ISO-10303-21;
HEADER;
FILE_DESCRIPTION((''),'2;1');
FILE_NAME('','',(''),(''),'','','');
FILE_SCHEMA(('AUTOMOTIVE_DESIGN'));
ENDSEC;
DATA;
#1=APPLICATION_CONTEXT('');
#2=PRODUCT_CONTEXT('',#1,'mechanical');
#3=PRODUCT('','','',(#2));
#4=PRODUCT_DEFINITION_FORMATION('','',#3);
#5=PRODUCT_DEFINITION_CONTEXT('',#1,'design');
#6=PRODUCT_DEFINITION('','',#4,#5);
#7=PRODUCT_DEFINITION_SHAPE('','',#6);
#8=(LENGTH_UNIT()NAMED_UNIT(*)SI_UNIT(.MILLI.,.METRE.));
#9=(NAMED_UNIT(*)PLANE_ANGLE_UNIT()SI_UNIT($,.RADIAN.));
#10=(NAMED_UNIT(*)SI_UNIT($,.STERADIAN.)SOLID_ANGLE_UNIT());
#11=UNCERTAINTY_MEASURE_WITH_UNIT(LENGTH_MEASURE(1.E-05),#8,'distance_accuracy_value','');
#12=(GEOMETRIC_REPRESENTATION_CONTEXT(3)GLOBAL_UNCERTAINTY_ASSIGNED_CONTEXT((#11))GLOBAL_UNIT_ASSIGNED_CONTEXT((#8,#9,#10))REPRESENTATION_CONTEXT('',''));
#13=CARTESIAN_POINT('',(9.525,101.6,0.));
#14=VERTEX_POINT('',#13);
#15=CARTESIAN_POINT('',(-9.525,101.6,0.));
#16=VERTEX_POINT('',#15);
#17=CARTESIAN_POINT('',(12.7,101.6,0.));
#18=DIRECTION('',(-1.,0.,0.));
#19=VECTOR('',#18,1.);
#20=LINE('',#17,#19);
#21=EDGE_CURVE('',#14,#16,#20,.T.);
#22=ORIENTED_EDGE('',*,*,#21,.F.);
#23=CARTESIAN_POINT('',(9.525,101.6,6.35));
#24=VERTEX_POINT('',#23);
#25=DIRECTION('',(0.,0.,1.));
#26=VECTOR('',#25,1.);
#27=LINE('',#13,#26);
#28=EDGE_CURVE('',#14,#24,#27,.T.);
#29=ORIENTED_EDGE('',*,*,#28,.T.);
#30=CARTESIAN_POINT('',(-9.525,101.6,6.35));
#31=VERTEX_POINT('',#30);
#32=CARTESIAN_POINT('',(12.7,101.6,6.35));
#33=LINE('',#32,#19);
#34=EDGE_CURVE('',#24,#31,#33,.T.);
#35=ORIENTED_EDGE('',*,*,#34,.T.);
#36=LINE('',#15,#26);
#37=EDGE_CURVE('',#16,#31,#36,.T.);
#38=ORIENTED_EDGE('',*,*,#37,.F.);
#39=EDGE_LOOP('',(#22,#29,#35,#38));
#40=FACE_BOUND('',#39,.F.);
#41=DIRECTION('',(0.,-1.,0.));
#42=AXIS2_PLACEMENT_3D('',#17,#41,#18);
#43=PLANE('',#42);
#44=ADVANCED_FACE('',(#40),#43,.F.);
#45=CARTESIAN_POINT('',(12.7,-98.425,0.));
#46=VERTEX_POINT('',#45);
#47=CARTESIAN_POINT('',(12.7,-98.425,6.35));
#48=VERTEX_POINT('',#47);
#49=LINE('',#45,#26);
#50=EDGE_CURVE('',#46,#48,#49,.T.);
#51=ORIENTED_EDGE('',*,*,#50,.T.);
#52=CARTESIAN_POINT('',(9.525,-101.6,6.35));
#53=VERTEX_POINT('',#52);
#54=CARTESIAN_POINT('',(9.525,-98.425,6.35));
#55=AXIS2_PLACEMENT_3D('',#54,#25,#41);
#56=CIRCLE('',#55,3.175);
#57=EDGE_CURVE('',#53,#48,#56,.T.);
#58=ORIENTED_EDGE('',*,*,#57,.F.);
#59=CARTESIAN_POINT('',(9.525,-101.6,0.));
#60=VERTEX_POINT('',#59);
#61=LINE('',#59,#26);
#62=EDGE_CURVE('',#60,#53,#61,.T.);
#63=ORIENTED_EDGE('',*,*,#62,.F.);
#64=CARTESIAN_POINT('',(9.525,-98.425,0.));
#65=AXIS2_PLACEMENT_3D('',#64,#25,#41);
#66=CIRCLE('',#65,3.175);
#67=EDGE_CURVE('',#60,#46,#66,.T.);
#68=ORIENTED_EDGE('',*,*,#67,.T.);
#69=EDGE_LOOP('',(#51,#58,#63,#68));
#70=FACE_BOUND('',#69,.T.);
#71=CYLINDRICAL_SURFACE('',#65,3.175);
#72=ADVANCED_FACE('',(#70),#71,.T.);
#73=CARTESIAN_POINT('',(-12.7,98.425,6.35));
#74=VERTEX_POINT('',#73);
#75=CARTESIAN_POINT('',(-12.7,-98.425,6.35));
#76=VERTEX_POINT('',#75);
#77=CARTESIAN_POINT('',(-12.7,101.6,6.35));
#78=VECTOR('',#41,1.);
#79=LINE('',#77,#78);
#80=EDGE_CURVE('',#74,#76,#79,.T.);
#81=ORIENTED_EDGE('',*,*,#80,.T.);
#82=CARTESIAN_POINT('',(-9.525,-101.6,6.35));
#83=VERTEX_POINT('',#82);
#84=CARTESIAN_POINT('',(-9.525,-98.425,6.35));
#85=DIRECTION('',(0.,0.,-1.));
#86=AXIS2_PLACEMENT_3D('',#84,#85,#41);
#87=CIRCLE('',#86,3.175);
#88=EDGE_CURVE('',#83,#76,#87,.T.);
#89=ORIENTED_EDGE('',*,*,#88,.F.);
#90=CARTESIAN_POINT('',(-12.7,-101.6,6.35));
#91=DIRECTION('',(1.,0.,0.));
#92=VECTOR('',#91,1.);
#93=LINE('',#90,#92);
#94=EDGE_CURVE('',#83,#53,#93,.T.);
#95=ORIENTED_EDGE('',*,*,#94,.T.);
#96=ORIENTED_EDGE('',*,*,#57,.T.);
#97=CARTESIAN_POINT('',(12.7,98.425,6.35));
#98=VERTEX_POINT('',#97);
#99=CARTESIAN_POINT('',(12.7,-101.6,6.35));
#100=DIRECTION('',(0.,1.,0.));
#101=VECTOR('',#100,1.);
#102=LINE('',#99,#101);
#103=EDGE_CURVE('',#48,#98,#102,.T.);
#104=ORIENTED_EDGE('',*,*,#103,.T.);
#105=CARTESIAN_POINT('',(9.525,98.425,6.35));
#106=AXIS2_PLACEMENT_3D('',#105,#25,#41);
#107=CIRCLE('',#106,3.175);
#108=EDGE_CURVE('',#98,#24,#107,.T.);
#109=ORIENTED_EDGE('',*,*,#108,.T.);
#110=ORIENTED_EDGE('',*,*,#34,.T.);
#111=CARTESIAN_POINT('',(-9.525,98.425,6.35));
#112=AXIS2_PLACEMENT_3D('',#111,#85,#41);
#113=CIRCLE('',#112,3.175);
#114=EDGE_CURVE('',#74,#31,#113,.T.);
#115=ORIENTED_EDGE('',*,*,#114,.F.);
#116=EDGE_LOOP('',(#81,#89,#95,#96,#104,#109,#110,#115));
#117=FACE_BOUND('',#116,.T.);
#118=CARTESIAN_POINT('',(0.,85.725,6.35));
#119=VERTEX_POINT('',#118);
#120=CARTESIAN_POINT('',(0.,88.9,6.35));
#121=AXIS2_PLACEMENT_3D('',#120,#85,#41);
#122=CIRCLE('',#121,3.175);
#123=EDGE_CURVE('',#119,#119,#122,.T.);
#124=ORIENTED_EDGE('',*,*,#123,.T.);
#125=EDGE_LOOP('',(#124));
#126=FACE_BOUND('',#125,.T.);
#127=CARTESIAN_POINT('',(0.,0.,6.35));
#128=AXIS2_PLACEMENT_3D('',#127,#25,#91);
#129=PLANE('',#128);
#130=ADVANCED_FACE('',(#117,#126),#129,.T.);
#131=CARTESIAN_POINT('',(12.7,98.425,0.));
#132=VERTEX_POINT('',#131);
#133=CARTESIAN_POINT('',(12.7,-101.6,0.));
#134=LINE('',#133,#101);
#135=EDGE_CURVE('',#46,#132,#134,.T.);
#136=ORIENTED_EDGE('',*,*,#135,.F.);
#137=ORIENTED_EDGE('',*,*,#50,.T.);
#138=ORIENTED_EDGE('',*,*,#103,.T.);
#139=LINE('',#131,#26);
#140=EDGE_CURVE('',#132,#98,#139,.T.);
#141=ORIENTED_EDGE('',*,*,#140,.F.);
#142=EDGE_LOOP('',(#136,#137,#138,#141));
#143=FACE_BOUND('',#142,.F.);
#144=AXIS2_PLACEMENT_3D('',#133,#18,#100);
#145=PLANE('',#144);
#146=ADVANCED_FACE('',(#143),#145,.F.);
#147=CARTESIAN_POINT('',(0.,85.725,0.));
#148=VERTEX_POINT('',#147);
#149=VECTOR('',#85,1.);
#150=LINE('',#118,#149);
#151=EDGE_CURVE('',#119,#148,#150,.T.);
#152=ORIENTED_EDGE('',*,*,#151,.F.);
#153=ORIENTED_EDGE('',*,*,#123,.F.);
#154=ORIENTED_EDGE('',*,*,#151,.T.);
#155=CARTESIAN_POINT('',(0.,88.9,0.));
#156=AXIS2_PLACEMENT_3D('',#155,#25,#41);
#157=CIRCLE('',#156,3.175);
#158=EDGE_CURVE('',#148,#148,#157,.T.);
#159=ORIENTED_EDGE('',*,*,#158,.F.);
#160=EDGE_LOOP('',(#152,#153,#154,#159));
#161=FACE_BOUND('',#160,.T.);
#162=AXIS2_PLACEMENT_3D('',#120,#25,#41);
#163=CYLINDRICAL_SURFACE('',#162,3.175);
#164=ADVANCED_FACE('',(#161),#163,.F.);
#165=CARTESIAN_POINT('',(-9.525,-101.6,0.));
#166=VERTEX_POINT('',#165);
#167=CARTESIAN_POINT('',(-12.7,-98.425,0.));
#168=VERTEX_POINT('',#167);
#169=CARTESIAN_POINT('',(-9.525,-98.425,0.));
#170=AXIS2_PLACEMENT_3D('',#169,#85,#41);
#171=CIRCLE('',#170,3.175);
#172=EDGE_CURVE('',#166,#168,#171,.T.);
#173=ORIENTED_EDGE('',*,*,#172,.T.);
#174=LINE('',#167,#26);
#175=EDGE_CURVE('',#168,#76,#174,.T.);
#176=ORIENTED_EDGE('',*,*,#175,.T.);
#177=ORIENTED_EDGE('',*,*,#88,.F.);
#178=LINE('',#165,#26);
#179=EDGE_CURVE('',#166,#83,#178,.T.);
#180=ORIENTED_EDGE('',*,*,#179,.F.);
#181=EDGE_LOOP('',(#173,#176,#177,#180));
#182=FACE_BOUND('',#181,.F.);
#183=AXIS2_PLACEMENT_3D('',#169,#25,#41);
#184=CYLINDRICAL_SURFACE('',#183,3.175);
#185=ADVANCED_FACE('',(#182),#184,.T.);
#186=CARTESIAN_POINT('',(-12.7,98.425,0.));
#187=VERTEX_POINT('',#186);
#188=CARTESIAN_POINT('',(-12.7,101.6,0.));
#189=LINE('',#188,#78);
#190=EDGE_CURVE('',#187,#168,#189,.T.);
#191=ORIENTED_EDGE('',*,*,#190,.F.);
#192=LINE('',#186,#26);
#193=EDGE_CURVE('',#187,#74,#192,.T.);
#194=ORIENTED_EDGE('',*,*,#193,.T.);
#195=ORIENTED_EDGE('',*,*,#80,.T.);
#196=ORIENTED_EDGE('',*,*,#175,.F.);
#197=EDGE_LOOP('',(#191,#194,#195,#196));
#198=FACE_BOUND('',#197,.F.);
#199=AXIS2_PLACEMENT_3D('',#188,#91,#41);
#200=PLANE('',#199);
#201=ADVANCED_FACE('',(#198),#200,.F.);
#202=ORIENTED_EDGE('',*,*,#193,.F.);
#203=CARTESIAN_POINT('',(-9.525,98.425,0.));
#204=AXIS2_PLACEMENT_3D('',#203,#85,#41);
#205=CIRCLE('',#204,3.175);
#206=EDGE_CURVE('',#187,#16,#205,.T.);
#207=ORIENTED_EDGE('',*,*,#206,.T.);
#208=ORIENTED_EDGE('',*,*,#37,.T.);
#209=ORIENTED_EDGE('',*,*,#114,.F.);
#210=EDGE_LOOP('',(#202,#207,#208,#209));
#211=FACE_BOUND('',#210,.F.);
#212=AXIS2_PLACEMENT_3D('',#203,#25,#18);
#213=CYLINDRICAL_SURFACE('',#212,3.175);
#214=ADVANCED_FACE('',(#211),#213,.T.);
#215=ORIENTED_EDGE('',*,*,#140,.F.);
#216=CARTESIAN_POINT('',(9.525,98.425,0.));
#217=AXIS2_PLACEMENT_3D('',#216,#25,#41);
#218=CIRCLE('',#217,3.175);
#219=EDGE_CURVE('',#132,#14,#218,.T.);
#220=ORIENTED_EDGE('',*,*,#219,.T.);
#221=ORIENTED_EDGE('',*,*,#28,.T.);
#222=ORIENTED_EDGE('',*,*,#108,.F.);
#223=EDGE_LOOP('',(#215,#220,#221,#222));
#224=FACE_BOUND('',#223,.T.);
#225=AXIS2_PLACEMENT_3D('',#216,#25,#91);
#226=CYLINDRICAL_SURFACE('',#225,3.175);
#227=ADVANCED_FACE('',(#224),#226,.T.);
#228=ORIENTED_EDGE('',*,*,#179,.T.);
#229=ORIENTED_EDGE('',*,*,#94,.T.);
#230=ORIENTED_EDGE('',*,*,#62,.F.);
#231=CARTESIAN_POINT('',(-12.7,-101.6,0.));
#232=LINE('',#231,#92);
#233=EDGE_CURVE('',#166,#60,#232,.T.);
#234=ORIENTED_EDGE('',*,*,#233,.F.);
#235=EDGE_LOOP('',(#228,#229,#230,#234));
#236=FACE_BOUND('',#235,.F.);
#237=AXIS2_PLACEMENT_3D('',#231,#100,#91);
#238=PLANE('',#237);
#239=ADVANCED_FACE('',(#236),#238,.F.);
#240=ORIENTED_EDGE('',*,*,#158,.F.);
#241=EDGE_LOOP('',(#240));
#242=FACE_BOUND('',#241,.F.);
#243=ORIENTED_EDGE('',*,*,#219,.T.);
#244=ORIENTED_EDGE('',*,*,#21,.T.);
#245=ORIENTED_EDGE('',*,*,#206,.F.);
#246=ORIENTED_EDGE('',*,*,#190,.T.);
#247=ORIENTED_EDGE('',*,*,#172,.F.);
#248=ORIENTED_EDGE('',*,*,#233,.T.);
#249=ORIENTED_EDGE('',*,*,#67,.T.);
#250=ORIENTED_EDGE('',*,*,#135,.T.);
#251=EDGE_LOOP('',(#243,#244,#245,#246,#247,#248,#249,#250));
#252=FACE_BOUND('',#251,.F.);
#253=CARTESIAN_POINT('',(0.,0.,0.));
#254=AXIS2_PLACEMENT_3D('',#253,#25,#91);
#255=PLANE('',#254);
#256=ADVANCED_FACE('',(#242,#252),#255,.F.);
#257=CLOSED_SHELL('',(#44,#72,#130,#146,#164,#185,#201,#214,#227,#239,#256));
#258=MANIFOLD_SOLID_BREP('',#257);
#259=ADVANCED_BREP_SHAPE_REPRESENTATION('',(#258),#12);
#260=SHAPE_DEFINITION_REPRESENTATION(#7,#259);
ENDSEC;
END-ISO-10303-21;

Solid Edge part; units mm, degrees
sketch "Sketch1" plane through (0, 0, 0) normal (0, 0, 1) x (1, 0, 0)
  line L0 (-12.7, -101.6) -> (12.7, -101.6)
  line L1 (12.7, -101.6) -> (12.7, 101.6)
  line L2 (12.7, 101.6) -> (-12.7, 101.6)
  line L3 (-12.7, 101.6) -> (-12.7, -101.6)
  dimension "D1" = 203.2
  dimension "D2" = 25.4
extrude "Protrusion1" add sketch "Sketch1" along normal blind 6.35
hole "Hole_1" at (0, 88.9, 6.35) direction (0, 0, -1) diameter 6.35 end up to next
fillet "Round_1" radius 3.175 4 edges at (12.7, 101.6, 3.175) (-12.7, 101.6, 3.175) (12.7, -101.6, 3.175) (-12.7, -101.6, 3.175)
properties part number "SPaRC 02 - 004"
